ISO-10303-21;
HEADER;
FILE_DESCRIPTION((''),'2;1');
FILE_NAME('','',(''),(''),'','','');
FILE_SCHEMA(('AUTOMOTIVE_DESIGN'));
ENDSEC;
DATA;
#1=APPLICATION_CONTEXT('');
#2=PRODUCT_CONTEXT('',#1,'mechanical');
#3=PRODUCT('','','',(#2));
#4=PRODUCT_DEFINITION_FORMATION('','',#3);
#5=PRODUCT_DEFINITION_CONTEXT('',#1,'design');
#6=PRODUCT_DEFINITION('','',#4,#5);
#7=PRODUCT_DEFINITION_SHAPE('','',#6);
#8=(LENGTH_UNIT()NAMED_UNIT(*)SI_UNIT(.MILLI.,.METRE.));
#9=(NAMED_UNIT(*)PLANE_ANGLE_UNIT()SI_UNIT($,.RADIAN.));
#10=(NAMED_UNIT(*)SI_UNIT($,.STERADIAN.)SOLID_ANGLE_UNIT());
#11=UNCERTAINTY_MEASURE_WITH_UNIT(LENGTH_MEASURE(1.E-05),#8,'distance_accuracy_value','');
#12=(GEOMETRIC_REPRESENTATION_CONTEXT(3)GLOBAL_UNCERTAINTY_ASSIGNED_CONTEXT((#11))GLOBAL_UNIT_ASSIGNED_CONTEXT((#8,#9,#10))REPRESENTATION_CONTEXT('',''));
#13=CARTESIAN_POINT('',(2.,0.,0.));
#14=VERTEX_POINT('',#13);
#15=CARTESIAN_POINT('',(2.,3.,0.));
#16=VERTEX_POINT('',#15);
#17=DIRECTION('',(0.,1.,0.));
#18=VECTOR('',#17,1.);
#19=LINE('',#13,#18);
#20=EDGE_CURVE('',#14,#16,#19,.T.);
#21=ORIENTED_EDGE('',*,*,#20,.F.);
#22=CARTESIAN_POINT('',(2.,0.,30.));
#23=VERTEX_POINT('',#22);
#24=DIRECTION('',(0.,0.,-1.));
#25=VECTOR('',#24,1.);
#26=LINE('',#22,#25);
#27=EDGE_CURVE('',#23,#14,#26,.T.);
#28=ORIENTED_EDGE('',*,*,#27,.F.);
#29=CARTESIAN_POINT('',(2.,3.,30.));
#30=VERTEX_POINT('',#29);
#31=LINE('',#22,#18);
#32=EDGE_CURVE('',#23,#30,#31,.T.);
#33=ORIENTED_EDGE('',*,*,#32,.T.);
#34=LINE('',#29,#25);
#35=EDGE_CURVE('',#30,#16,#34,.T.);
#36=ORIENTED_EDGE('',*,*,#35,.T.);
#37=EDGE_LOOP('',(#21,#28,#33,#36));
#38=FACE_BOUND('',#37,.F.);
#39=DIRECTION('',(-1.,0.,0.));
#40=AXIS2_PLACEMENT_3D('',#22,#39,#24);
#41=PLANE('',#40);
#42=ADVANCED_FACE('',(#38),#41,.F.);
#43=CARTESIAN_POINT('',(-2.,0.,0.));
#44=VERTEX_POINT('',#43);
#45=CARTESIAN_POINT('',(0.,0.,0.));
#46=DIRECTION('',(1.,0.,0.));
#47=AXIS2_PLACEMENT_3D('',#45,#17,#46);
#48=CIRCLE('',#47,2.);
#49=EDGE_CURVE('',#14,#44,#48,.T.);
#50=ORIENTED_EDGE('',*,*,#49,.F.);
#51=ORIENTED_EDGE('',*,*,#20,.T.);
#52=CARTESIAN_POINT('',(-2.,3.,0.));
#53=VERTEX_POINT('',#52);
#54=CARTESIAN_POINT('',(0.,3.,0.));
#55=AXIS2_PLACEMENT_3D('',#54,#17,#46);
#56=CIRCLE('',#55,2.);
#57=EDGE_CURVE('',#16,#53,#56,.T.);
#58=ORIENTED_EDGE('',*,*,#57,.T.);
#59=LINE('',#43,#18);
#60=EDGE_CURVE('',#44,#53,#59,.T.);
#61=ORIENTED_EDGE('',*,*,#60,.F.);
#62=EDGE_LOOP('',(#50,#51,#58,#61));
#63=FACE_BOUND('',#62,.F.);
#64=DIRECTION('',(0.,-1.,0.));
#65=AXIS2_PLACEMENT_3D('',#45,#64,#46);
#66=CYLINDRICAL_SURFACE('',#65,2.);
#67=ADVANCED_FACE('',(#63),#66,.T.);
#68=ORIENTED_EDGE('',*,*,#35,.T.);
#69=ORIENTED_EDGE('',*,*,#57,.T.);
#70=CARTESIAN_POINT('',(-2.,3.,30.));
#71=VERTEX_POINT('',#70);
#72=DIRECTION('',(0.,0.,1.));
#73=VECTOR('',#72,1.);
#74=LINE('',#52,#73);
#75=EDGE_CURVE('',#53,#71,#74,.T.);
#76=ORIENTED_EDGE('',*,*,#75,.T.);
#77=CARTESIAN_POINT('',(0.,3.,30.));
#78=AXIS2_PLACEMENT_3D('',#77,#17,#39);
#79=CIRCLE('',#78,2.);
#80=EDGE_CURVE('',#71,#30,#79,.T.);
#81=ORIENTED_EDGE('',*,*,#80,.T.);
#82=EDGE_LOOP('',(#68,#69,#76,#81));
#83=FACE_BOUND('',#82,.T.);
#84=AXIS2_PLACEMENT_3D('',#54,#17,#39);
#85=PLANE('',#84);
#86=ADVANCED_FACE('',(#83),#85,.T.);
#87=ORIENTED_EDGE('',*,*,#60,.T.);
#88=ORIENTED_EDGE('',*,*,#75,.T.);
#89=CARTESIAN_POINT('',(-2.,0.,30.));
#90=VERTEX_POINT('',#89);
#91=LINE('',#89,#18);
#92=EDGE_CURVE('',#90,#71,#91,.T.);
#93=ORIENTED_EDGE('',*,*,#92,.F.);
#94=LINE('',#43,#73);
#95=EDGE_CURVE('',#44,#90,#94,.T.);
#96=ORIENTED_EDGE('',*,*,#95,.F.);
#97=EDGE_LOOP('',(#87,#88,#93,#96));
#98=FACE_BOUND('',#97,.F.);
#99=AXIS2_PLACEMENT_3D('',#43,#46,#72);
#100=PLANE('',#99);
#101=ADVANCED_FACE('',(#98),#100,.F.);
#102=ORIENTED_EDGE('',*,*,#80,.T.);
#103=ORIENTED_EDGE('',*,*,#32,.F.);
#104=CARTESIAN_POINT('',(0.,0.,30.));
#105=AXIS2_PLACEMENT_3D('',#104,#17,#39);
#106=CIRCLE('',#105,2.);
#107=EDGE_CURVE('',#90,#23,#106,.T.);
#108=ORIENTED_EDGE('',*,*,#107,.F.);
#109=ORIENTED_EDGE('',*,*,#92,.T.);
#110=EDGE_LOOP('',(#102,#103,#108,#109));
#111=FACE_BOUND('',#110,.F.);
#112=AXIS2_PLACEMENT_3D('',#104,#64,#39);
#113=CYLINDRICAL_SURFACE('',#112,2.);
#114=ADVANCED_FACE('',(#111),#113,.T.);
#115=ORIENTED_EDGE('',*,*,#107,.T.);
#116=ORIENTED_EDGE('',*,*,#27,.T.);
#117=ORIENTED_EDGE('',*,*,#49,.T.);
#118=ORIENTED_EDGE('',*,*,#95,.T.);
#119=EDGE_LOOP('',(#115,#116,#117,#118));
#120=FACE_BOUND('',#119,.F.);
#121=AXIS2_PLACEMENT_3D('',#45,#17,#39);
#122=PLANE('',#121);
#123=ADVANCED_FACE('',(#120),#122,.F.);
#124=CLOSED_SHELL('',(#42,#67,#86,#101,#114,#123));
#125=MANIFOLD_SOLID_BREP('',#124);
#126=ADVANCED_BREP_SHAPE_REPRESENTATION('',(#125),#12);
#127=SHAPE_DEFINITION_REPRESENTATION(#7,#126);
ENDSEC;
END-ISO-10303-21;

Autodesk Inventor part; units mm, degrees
ref_plane "YZ Plane" through (0, 0, 0) normal (1, 0, 0) x (0, 1, 0)
ref_plane "XZ Plane" through (0, 0, 0) normal (0, 1, 0) x (-1, 0, 0)
ref_plane "XY Plane" through (0, 0, 0) normal (0, 0, 1) x (1, 0, 0)
sketch "Sketch1" plane through (0, 0, 0) normal (0, 1, 0) x (-1, 0, 0)
  line L0 (0, 0) -> (0, 30) construction
  line L1 (2, 0) -> (2, 30)
  line L2 (-2, 30) -> (-2, 0)
  arc A0 (-2, 0) -> (2, 0) centre (0, 0) ccw
  arc A1 (2, 30) -> (-2, 30) centre (0, 30) ccw
  point P0 (0, 15)
  dimension "d0" = 30
  dimension "d1" = 4
extrude "Extrusion1" add sketch "Sketch1" along normal blind 3
properties part number "_3DPrint"
